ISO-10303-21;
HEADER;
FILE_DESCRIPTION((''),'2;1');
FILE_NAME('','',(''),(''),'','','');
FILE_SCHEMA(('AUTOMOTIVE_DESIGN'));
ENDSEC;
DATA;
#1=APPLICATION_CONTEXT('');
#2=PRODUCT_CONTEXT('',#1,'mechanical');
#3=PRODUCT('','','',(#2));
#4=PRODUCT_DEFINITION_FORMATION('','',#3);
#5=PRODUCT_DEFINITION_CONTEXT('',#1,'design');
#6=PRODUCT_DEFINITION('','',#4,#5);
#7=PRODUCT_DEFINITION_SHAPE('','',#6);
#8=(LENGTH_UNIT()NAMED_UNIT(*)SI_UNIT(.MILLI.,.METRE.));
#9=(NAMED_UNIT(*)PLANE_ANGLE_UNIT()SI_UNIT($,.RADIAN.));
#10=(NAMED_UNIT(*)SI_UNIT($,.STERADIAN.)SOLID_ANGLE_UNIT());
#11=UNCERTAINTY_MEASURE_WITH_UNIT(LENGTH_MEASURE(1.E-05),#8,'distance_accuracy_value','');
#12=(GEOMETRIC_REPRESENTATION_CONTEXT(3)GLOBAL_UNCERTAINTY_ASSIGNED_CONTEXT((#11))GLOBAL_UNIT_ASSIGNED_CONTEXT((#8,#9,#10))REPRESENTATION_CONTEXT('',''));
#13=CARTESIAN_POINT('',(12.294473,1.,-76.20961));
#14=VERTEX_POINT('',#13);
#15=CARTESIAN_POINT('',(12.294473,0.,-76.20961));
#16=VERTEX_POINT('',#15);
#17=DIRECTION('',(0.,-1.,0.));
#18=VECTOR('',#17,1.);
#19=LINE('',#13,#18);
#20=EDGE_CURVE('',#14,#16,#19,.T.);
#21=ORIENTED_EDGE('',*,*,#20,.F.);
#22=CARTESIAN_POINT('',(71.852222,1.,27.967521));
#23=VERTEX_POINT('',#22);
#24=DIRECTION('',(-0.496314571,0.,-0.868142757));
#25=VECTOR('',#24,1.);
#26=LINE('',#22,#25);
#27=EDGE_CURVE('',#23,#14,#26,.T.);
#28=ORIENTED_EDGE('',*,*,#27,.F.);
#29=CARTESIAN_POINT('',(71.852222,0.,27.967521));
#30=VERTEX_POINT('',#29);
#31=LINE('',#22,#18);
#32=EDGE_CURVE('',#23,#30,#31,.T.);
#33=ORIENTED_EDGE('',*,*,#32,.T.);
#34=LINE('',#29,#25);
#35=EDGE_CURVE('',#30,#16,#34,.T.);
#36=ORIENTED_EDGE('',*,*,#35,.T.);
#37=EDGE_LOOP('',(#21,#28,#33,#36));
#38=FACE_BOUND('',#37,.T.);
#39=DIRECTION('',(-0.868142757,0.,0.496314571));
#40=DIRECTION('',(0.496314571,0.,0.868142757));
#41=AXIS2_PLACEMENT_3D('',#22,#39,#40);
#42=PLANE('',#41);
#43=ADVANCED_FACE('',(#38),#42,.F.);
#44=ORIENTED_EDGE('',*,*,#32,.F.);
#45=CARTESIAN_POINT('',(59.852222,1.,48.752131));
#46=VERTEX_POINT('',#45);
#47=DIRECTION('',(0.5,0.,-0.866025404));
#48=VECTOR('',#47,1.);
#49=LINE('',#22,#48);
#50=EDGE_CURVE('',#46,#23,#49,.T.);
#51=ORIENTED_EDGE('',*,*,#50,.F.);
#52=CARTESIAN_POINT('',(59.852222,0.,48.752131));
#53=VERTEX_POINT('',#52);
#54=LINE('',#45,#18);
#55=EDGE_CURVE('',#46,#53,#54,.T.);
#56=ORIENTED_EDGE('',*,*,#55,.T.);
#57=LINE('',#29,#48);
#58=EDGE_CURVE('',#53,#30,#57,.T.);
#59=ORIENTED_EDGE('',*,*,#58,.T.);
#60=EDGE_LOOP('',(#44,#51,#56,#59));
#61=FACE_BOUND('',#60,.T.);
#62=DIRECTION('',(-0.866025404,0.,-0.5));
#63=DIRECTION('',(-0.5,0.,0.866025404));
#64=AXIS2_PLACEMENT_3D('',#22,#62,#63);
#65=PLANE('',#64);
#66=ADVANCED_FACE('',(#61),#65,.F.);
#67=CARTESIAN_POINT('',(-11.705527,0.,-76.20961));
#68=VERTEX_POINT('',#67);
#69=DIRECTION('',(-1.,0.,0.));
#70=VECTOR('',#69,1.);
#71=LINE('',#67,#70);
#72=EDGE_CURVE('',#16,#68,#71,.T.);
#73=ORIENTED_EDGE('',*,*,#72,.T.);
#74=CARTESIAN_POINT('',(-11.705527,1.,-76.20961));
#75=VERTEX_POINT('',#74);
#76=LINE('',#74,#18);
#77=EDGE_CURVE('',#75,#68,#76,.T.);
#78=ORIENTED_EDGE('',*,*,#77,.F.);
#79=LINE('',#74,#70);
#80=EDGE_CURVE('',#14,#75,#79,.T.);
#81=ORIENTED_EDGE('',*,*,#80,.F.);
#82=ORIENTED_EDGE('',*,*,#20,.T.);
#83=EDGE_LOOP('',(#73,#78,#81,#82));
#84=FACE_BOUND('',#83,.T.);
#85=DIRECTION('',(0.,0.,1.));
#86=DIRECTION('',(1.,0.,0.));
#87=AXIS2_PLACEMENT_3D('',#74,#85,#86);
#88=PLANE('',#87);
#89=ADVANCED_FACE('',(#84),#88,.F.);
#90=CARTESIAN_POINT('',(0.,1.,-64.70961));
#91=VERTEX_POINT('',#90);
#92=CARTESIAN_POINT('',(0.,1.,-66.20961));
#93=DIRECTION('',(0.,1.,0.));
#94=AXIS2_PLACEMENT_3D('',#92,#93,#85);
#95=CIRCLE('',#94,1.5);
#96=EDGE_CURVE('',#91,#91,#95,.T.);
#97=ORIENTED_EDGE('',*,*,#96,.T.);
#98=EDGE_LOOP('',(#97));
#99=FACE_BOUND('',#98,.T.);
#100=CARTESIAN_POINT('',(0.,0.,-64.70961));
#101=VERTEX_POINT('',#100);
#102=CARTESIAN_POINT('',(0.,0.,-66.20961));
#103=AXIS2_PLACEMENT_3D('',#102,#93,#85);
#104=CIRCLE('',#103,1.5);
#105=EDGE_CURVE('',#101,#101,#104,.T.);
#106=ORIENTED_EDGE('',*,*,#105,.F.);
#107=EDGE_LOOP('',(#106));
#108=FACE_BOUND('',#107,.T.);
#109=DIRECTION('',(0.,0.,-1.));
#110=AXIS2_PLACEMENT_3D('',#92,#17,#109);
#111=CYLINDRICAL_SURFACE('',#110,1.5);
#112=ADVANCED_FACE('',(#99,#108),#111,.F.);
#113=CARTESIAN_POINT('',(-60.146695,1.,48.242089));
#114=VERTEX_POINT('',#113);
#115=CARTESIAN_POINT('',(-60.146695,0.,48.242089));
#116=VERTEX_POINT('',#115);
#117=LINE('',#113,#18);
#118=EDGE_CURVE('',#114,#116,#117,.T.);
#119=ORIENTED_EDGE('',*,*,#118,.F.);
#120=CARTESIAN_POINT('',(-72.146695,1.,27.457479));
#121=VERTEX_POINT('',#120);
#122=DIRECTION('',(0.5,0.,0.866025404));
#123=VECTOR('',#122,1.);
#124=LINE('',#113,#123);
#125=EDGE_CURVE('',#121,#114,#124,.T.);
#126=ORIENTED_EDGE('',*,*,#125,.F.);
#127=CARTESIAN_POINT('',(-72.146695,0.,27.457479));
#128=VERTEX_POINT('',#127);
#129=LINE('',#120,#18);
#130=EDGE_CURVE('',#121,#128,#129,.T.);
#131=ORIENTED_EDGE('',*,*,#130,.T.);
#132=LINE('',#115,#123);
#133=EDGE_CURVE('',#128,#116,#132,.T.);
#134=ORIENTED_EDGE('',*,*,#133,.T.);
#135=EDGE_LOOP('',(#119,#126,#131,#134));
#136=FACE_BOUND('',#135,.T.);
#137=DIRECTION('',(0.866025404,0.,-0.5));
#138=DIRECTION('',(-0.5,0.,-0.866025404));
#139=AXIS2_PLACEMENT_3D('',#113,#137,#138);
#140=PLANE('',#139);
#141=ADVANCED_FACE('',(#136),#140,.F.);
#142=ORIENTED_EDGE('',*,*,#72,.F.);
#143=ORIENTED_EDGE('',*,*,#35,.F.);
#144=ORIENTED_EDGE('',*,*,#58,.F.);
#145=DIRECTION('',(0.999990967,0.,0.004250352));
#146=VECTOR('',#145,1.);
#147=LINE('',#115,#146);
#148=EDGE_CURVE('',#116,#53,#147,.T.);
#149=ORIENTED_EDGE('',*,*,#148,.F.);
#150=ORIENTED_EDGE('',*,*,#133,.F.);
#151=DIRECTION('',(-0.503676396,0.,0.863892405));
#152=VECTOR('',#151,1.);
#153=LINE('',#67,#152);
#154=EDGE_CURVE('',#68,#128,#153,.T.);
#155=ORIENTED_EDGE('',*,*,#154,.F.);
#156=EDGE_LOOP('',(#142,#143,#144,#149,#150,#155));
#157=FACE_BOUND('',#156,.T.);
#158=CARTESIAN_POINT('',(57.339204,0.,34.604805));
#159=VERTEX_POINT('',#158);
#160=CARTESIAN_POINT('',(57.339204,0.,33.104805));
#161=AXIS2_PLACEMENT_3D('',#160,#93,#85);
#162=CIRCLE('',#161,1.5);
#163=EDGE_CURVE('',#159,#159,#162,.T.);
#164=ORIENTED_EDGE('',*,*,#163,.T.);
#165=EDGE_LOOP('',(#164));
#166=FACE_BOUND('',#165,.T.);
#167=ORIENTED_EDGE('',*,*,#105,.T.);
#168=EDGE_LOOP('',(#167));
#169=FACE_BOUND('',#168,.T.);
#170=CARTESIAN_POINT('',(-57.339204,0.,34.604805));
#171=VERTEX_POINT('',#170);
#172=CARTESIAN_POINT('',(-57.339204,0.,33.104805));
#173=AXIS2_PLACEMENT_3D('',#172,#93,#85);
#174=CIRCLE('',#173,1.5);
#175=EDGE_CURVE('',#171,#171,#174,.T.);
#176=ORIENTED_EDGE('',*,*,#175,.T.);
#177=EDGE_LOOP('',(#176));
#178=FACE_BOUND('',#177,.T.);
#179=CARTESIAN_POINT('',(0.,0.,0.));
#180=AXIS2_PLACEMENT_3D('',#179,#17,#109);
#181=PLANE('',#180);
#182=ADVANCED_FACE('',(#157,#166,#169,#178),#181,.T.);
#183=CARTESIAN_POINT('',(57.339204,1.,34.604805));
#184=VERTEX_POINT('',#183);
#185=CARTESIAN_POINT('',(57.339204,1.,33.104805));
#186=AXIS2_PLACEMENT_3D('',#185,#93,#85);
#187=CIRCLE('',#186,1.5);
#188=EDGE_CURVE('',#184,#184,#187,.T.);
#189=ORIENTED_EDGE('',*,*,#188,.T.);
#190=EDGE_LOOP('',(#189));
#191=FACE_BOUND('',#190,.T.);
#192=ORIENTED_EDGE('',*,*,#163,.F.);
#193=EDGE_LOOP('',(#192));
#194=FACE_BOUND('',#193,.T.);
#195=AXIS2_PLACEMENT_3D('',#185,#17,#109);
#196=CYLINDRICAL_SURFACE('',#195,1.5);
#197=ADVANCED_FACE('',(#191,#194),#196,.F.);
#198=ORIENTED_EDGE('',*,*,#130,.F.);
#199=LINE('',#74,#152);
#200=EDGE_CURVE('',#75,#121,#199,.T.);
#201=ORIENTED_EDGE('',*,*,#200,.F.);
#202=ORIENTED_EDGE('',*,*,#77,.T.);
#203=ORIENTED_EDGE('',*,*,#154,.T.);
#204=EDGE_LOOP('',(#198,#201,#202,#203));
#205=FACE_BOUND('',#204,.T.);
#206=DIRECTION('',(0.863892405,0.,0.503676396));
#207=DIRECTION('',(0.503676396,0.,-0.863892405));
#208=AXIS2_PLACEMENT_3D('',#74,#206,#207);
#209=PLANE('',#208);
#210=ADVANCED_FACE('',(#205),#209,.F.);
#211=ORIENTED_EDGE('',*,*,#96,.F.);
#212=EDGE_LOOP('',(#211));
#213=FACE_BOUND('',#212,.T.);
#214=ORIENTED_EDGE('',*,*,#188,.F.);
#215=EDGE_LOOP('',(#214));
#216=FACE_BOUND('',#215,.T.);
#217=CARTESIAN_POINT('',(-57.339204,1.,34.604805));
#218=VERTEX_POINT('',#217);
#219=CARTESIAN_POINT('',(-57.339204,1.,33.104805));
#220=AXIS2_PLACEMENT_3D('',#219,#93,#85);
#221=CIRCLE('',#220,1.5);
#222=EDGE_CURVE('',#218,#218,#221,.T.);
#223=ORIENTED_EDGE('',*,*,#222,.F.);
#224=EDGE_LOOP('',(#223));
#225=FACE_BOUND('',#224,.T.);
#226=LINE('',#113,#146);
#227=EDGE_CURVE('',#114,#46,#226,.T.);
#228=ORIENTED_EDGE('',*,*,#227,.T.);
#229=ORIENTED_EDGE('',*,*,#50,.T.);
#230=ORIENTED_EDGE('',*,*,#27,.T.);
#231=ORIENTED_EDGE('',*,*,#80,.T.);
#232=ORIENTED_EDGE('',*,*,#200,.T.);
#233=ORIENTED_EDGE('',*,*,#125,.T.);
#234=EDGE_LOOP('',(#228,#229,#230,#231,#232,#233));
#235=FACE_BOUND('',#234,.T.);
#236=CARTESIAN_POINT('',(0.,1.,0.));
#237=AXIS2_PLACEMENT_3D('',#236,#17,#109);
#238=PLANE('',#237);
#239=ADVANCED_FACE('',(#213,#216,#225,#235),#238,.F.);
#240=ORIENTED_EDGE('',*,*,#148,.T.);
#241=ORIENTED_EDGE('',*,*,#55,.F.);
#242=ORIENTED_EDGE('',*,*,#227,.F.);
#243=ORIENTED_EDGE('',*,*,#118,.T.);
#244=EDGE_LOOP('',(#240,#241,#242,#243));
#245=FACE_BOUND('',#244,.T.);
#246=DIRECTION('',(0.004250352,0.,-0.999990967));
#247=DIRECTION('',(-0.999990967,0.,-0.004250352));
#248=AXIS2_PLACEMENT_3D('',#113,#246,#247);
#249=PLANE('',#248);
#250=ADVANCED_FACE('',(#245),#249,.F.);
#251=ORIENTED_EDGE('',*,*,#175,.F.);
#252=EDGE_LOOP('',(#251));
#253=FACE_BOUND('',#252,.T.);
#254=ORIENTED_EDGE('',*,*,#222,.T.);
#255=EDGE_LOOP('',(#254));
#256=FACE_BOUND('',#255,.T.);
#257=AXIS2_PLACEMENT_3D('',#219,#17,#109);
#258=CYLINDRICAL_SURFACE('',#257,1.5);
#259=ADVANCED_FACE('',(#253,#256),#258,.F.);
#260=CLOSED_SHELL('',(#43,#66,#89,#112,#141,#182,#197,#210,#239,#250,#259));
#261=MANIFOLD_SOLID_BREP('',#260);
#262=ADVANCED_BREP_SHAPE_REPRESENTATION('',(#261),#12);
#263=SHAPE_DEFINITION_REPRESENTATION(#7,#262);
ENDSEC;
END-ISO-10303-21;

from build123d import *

# Parameters (mm, degrees)
CROQUIS1_R              = 1.5
SALIENTE_EXTRUIR1_DEPTH = 1


with BuildPart() as part:
    # Croquis1 → Saliente-Extruir1 (new body)
    with BuildSketch(Plane(origin=(0, 0, 0), x_dir=(1, 0, 0), z_dir=(0, 1, 0))):
        Polygon((-11.705527007, 76.209609723), (12.294472993, 76.209609723), (71.852221536, -27.967521109), (59.852221536, -48.7521308), (-60.146694529, -48.242088614), (-72.146694529, -27.457478924), align=None)
        with Locations(Location((0, 66.209609723, 0), (0, 0, 270))):
            Circle(CROQUIS1_R, mode=Mode.SUBTRACT)
        with Locations(Location((57.339203995, -33.104804862, 0), (0, 0, 270))):
            Circle(CROQUIS1_R, mode=Mode.SUBTRACT)
        with Locations(Location((-57.339203995, -33.104804862, 0), (0, 0, 270))):
            Circle(CROQUIS1_R, mode=Mode.SUBTRACT)
    extrude(amount=SALIENTE_EXTRUIR1_DEPTH)


solid = part.part
